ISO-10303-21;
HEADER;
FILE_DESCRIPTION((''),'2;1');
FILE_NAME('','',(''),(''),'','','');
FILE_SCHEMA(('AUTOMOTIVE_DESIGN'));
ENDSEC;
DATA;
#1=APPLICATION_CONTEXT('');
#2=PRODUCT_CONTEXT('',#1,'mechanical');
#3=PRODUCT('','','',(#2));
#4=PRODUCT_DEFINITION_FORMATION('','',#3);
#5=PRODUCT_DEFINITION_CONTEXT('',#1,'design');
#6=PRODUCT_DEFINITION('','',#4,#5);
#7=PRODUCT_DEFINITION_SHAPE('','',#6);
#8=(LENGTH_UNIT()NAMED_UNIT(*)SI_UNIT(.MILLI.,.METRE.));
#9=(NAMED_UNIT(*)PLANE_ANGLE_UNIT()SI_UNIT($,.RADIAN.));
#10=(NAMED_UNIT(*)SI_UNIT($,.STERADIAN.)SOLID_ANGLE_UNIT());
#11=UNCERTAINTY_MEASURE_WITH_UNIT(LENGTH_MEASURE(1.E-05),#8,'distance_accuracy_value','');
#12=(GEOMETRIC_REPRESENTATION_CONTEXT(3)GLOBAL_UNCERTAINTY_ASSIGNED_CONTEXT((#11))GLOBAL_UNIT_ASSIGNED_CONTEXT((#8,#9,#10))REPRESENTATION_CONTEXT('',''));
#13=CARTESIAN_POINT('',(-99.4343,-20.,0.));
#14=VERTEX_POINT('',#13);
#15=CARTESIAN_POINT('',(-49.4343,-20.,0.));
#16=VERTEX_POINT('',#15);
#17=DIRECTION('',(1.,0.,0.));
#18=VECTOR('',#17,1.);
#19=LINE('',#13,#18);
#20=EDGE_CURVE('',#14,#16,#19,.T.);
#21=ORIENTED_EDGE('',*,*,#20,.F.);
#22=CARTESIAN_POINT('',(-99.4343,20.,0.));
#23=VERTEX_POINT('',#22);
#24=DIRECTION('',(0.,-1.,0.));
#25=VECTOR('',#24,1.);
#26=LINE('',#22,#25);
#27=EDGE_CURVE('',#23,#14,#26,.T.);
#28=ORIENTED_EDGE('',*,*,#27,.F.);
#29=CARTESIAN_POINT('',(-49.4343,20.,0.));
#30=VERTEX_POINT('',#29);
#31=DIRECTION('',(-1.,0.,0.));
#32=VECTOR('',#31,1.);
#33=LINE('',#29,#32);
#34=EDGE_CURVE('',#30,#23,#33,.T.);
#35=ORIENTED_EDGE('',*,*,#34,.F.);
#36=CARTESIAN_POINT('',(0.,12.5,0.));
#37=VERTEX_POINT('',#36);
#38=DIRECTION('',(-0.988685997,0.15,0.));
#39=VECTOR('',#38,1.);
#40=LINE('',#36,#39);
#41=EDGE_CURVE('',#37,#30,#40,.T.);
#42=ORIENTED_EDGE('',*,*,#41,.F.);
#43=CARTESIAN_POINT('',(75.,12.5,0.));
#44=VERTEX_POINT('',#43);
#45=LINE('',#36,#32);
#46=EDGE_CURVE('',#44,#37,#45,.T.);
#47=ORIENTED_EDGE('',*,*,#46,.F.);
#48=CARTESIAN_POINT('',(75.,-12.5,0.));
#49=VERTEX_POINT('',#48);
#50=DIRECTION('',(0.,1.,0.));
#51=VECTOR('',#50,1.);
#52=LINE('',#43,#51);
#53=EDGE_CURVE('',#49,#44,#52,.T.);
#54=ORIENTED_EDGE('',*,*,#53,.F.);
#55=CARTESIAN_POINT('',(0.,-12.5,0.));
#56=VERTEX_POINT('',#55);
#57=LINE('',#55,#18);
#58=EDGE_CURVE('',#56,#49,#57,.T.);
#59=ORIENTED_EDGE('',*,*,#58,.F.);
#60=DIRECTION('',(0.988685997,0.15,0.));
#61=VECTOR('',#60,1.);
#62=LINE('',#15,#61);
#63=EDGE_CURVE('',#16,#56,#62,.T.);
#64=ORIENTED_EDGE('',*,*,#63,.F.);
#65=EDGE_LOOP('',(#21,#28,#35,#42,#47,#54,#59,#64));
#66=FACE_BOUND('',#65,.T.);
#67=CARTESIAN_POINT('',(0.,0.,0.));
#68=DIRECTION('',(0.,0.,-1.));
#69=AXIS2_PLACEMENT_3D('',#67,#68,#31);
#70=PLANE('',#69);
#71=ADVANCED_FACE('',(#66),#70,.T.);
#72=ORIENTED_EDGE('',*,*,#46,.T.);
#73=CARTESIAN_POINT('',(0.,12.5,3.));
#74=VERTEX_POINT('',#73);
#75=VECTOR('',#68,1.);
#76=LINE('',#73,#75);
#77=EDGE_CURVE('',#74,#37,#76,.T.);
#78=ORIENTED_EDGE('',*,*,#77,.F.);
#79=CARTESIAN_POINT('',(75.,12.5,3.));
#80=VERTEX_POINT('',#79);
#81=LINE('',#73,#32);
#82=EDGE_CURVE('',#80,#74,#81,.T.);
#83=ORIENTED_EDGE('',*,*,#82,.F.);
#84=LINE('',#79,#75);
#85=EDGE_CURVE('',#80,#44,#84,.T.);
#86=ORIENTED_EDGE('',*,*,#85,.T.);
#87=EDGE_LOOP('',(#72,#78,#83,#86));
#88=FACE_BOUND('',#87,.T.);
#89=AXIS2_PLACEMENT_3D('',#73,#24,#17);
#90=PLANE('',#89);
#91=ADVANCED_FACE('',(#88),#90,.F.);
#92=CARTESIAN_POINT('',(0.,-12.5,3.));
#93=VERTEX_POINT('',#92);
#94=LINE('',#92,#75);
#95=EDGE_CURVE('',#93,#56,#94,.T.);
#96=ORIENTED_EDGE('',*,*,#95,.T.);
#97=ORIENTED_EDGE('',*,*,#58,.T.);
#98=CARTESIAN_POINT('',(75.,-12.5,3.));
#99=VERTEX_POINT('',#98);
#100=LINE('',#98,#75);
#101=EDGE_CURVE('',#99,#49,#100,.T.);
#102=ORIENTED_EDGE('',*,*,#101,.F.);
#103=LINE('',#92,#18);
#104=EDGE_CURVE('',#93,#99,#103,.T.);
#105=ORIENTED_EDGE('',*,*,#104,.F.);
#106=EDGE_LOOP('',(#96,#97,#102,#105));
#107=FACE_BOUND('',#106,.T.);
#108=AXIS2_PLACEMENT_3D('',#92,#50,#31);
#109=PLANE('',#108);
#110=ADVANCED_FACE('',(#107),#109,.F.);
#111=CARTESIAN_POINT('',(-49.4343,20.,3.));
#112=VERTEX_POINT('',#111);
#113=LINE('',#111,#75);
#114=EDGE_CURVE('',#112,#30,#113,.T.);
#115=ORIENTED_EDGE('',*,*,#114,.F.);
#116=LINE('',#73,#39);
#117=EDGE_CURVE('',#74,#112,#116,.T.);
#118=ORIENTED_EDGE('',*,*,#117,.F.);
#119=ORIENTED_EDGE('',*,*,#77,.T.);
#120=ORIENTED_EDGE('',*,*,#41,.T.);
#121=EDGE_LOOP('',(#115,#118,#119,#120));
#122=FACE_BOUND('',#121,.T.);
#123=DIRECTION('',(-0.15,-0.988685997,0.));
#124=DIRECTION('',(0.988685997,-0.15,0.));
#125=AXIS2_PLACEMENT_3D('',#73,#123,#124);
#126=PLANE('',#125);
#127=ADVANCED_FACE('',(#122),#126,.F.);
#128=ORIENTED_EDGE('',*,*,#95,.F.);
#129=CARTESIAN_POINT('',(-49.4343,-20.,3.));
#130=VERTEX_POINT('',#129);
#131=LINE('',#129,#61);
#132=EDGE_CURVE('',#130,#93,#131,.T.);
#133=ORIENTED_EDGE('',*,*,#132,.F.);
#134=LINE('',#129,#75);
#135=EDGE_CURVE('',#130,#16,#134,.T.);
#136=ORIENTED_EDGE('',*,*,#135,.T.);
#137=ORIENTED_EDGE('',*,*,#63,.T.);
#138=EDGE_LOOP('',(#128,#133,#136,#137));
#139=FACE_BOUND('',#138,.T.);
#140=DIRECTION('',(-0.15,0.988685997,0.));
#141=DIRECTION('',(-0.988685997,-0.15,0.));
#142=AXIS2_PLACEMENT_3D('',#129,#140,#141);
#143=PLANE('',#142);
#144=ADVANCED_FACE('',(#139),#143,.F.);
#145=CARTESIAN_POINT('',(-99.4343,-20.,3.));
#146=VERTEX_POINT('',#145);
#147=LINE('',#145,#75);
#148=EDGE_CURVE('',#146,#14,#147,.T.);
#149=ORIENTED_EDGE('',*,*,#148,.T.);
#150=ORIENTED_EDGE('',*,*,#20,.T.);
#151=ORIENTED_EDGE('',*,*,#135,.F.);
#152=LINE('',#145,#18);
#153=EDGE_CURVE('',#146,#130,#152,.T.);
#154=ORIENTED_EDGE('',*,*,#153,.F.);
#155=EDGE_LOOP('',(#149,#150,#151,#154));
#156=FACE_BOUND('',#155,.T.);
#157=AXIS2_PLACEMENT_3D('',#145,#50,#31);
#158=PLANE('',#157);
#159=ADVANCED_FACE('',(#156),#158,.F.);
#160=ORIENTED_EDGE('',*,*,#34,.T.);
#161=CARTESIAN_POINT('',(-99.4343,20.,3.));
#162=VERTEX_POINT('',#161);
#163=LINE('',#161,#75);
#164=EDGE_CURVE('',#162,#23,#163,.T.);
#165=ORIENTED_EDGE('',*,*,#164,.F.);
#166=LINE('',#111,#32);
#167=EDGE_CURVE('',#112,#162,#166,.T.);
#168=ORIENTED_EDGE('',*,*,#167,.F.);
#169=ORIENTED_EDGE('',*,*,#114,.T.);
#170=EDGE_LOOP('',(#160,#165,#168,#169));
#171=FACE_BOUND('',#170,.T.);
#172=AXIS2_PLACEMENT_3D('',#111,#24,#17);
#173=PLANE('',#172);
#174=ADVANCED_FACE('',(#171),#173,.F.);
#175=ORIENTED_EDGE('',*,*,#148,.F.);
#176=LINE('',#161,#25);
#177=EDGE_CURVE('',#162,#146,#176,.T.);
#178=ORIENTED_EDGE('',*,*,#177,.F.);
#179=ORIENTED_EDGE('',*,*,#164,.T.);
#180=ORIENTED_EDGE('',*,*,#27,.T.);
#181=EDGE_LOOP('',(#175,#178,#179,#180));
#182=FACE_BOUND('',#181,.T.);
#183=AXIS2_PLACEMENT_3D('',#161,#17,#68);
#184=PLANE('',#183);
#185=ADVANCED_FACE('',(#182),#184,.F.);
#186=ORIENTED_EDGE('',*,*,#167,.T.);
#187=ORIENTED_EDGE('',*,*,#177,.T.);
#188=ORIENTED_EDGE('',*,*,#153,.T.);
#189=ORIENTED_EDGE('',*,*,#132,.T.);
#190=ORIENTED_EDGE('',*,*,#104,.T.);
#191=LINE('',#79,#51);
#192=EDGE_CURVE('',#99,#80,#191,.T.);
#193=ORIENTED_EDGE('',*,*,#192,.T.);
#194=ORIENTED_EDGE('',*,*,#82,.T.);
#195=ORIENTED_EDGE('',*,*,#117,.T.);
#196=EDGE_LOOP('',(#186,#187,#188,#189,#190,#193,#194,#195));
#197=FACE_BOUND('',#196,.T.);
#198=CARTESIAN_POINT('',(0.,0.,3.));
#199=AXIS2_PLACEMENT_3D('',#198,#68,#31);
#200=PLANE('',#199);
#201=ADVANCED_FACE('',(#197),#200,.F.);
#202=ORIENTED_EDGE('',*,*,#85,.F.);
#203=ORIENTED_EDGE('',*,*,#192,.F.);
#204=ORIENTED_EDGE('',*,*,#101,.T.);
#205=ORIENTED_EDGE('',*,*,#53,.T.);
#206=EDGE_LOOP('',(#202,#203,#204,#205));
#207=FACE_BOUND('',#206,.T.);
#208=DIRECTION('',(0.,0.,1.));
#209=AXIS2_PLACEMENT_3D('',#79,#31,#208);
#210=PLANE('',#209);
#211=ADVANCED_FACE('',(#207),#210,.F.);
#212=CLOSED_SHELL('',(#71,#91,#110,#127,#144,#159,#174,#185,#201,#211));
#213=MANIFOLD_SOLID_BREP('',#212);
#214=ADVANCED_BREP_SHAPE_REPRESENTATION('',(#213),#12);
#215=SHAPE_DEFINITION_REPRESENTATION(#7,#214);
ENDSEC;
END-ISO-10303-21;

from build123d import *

# Parameters (mm, degrees)
BOSS_EXTRU_1_DEPTH = 3


with BuildPart() as part:
    # Esquisse1 → Boss.-Extru.1 (new body)
    with BuildSketch(Plane.XY):
        Polygon((0, 12.5), (-49.434299833, 20), (-99.434299833, 20), (-99.434299833, -20), (-49.434299833, -20), (0, -12.5), (75, -12.5), (75, 12.5), align=None)
    extrude(amount=BOSS_EXTRU_1_DEPTH)


solid = part.part
